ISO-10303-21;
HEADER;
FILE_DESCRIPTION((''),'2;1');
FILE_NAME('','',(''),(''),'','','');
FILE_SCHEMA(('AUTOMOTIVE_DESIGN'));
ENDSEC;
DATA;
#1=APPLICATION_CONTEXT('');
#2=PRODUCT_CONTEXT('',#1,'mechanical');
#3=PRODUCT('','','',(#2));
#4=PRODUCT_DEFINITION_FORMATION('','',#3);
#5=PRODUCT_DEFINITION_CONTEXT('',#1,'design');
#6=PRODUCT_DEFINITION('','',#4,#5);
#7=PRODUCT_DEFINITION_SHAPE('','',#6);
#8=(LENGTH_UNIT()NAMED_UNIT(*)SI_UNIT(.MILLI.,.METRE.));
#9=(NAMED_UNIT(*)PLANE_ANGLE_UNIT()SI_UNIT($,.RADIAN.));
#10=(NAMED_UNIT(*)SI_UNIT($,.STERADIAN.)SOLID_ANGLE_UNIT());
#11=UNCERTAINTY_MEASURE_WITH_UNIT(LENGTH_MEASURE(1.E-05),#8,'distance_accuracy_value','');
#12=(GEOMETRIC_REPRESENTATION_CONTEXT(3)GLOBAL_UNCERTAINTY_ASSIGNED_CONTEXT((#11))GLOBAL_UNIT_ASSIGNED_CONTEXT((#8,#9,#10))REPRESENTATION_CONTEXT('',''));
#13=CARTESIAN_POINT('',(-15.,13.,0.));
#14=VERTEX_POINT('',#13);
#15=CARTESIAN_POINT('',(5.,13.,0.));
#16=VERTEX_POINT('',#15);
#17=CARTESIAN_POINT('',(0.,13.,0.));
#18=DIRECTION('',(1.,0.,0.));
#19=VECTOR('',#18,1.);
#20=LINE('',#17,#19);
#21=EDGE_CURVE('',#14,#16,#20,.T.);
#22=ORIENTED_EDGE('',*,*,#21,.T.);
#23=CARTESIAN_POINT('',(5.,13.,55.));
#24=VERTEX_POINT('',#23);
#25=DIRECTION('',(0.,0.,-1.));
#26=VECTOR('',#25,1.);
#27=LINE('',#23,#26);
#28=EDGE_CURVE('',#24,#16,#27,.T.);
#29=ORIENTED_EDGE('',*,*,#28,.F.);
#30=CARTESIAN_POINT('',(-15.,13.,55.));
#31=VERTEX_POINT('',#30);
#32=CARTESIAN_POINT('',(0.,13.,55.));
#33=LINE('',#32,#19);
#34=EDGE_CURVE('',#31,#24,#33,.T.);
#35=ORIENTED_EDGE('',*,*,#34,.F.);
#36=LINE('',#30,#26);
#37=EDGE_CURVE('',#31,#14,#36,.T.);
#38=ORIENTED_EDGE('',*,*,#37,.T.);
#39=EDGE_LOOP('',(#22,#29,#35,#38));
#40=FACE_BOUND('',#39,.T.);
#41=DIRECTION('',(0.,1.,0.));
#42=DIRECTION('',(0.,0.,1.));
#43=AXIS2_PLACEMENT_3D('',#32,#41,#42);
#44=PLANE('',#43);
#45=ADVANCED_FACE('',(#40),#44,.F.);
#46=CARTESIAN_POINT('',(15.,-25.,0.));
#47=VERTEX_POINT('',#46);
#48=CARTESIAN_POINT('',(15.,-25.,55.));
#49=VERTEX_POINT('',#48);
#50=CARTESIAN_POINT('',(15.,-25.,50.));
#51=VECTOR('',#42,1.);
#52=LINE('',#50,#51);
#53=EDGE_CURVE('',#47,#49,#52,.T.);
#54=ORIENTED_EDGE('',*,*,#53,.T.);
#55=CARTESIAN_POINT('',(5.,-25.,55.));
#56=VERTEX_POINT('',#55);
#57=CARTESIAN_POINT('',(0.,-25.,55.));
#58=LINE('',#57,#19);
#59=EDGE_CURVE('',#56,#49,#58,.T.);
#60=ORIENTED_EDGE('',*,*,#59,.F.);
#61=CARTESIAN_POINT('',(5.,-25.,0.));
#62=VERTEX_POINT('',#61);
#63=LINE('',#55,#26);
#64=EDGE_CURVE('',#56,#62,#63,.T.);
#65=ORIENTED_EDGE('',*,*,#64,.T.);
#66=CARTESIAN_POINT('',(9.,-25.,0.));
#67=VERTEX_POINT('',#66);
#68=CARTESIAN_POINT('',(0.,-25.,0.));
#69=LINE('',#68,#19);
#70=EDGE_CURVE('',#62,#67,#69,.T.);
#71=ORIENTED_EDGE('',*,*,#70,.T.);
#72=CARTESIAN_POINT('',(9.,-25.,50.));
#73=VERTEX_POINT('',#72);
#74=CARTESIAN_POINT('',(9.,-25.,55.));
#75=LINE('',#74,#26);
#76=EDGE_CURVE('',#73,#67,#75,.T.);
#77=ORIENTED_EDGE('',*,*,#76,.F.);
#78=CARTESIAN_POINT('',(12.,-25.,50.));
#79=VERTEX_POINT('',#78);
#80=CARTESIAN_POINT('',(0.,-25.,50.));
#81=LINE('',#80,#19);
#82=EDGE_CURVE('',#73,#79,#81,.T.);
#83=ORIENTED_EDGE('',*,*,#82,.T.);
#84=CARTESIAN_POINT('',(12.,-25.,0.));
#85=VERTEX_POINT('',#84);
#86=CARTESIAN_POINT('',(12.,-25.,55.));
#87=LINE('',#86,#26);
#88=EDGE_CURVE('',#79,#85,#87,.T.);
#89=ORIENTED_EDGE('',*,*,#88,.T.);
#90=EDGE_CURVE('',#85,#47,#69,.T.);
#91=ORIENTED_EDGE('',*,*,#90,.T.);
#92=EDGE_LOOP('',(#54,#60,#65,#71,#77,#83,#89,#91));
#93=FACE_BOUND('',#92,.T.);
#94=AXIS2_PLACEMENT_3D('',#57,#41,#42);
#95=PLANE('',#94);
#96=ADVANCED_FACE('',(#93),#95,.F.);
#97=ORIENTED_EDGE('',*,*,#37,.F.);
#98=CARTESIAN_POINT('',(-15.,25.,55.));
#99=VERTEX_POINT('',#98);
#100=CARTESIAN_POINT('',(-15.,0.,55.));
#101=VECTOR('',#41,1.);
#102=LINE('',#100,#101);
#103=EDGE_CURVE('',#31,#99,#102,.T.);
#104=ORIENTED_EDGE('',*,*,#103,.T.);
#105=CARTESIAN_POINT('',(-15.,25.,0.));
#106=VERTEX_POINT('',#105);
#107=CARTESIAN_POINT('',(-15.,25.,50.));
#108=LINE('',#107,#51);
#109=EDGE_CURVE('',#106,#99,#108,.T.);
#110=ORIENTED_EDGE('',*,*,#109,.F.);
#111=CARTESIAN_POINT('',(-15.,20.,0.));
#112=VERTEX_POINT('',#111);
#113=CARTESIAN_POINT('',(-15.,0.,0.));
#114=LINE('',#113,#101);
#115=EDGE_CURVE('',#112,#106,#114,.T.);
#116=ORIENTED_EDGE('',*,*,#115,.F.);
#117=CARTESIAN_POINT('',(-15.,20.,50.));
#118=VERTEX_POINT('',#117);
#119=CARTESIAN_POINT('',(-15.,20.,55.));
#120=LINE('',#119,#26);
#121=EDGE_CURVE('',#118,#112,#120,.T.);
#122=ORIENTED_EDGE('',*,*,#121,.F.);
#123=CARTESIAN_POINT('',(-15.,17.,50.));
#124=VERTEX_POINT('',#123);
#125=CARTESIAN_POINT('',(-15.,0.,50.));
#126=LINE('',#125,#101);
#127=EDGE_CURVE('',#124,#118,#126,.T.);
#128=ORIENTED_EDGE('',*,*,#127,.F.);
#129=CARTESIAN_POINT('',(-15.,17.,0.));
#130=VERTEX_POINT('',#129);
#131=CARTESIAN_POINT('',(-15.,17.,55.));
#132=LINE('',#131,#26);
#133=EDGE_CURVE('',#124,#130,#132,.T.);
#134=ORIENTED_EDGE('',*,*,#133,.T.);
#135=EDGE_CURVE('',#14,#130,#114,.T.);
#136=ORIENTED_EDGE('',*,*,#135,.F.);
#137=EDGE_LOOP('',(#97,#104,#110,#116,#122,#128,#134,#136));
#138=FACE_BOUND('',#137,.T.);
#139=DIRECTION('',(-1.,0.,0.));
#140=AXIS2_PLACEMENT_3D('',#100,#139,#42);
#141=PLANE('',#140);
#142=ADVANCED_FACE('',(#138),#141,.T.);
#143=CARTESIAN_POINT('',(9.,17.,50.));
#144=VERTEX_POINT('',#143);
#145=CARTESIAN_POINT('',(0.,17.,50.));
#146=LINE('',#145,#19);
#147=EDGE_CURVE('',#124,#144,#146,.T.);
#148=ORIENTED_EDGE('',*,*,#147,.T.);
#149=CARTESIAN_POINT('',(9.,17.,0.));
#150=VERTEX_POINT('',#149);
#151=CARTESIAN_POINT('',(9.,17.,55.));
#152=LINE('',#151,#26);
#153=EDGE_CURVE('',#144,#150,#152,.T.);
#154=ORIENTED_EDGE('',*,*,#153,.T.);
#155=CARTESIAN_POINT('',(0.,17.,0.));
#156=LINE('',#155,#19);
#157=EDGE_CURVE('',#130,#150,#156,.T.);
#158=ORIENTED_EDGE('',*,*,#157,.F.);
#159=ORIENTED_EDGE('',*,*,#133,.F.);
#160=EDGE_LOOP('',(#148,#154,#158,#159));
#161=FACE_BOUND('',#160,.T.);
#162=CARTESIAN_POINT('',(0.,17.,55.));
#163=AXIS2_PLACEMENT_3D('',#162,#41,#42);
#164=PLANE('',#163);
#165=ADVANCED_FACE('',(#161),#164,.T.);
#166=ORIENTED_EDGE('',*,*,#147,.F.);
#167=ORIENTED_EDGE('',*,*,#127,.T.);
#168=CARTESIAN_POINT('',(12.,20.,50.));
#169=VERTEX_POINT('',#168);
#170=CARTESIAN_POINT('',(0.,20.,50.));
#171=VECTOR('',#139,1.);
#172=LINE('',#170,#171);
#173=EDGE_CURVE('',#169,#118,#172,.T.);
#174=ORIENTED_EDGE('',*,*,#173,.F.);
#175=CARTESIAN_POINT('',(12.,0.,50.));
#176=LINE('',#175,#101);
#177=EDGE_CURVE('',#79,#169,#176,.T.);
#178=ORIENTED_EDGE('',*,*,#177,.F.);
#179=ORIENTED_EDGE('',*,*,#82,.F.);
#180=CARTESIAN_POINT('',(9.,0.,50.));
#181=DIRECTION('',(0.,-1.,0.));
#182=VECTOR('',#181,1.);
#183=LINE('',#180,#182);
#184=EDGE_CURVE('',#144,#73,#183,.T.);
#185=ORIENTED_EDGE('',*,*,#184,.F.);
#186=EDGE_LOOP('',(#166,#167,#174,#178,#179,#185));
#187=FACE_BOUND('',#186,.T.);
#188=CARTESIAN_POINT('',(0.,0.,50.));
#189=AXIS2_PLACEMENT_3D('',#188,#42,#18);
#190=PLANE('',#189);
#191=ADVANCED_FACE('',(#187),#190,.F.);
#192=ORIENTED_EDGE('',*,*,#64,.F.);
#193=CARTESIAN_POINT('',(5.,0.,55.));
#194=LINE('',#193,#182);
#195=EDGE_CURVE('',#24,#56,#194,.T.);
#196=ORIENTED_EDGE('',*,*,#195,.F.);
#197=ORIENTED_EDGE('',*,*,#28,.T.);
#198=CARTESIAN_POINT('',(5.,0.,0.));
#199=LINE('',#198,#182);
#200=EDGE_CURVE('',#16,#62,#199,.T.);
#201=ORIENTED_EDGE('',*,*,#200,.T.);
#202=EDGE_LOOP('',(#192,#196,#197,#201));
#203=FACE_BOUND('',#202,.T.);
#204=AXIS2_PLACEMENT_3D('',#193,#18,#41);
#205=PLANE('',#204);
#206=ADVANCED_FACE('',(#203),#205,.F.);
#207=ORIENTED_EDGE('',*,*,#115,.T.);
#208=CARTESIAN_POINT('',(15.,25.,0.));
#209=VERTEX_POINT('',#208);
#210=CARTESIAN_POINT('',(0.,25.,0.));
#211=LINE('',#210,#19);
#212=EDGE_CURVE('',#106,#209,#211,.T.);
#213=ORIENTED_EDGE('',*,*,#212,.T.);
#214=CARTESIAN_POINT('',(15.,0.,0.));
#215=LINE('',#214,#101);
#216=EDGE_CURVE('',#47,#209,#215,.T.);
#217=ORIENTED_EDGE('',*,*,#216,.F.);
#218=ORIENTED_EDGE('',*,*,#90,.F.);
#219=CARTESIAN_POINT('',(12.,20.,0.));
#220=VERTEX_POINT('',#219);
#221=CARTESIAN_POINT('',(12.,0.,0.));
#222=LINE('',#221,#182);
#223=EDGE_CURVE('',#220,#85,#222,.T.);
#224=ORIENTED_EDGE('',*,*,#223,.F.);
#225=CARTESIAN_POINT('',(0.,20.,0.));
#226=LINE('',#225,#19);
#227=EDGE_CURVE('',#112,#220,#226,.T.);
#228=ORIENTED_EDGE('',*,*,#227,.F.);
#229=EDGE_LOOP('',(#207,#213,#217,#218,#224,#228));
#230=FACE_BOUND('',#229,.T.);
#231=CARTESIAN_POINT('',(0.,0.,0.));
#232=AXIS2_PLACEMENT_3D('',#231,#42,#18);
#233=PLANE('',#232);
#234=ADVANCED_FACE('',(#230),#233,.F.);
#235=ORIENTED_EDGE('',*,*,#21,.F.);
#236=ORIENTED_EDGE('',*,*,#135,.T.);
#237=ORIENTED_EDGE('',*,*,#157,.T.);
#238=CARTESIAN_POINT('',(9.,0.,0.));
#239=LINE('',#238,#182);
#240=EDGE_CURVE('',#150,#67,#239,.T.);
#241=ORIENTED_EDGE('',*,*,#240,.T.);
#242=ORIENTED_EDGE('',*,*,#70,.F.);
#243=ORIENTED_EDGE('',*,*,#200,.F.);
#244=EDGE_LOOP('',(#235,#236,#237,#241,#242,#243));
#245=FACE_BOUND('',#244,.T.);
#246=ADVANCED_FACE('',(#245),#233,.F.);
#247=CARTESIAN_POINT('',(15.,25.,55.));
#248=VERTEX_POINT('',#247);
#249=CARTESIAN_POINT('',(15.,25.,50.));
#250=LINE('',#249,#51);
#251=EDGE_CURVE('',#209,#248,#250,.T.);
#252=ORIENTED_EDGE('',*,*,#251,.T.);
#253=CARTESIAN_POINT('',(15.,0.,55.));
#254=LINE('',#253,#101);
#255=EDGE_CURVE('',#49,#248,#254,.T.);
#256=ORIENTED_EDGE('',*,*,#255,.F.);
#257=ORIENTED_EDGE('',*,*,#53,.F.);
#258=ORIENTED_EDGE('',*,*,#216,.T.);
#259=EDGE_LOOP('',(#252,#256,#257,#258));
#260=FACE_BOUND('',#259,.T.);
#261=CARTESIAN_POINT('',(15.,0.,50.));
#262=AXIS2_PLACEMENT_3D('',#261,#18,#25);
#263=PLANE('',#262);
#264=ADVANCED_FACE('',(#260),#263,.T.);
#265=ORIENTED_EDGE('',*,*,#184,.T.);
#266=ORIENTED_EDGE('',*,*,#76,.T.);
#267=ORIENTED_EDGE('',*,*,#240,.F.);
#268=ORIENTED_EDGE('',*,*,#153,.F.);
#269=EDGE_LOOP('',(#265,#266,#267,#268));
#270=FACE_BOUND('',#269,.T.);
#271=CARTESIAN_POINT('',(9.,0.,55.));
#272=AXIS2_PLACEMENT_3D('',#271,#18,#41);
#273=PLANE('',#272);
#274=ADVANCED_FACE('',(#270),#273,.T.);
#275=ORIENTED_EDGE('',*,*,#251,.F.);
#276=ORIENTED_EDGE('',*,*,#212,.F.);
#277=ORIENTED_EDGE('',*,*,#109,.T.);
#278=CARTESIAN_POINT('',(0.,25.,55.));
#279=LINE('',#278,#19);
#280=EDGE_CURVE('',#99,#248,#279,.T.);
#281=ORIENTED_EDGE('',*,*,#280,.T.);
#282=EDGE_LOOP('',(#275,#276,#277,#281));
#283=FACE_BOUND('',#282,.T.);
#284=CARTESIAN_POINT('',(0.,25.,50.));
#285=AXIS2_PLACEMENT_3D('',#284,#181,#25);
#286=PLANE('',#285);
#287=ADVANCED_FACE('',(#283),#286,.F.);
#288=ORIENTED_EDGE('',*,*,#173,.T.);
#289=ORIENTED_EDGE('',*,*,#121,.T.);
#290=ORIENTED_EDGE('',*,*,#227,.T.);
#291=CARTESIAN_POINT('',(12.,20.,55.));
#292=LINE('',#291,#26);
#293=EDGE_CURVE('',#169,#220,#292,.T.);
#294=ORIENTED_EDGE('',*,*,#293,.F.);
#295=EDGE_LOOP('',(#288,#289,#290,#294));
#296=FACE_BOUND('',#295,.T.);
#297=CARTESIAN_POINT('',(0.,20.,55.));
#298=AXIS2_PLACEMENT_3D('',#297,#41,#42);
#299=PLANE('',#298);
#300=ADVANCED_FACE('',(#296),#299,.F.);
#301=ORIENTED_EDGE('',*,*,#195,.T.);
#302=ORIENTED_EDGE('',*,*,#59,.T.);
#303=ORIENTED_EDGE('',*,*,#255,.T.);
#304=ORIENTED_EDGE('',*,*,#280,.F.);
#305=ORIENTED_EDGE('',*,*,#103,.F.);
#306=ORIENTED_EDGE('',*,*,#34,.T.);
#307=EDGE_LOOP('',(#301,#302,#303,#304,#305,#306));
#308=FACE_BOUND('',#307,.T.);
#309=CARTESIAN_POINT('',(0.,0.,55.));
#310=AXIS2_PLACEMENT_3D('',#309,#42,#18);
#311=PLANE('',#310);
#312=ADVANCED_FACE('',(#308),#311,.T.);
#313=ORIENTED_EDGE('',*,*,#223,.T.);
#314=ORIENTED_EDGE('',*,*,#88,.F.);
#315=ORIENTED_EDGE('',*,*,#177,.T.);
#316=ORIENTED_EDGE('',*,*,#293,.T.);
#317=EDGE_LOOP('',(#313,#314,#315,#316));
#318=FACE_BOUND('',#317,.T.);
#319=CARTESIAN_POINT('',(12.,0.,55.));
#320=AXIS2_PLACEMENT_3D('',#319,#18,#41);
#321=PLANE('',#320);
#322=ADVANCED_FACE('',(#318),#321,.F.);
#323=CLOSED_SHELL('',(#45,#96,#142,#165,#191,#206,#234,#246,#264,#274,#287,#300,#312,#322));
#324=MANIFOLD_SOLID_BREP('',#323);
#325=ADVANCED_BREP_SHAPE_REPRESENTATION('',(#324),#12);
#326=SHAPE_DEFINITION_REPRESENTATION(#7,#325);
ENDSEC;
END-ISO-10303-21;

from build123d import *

# Parameters (mm, degrees)
BOSS_EXTRUDE1_DEPTH   = 55
BOSS_EXTRUDE1_2_DEPTH = 55
SKETCH2_W             = 4
SKETCH2_H             = 38
SKETCH2_W_2           = 6
BOSS_EXTRUDE2_DEPTH   = 5


with BuildPart() as part:
    # Sketch1 → Boss-Extrude1 (new body)
    with BuildSketch(Plane.XY):
        Polygon((9, 17), (-15, 17), (-15, 13), (5, 13), (5, -25), (9, -25), align=None)
    extrude(amount=BOSS_EXTRUDE1_DEPTH)



with BuildPart() as body_2:
    # Sketch1 → Boss-Extrude1 2 (new body)
    with BuildSketch(Plane.XY):
        Polygon((-15, 25), (-15, 20), (12, 20), (12, -25), (15, -25), (15, 25), align=None)
    extrude(amount=BOSS_EXTRUDE1_2_DEPTH)


with BuildPart() as part_1:
    add(part.part)

    add(body_2.part)  # Boss-Extrude2 merges body 2
    # Sketch2 → Boss-Extrude2 (add)
    with BuildSketch(Plane.XY.offset(55)):
        Polygon((-15, 25), (-15, 17), (9, 17), (9, 13), (15, 13), (15, 25), align=None)
        Polygon((-15, 17), (-15, 13), (5, 13), (9, 13), (9, 17), align=None)
        with Locations((7, -6)):
            Rectangle(SKETCH2_W, SKETCH2_H)
        with Locations((12, -6)):
            Rectangle(SKETCH2_W_2, SKETCH2_H)
    extrude(amount=-BOSS_EXTRUDE2_DEPTH)


solid = part_1.part
